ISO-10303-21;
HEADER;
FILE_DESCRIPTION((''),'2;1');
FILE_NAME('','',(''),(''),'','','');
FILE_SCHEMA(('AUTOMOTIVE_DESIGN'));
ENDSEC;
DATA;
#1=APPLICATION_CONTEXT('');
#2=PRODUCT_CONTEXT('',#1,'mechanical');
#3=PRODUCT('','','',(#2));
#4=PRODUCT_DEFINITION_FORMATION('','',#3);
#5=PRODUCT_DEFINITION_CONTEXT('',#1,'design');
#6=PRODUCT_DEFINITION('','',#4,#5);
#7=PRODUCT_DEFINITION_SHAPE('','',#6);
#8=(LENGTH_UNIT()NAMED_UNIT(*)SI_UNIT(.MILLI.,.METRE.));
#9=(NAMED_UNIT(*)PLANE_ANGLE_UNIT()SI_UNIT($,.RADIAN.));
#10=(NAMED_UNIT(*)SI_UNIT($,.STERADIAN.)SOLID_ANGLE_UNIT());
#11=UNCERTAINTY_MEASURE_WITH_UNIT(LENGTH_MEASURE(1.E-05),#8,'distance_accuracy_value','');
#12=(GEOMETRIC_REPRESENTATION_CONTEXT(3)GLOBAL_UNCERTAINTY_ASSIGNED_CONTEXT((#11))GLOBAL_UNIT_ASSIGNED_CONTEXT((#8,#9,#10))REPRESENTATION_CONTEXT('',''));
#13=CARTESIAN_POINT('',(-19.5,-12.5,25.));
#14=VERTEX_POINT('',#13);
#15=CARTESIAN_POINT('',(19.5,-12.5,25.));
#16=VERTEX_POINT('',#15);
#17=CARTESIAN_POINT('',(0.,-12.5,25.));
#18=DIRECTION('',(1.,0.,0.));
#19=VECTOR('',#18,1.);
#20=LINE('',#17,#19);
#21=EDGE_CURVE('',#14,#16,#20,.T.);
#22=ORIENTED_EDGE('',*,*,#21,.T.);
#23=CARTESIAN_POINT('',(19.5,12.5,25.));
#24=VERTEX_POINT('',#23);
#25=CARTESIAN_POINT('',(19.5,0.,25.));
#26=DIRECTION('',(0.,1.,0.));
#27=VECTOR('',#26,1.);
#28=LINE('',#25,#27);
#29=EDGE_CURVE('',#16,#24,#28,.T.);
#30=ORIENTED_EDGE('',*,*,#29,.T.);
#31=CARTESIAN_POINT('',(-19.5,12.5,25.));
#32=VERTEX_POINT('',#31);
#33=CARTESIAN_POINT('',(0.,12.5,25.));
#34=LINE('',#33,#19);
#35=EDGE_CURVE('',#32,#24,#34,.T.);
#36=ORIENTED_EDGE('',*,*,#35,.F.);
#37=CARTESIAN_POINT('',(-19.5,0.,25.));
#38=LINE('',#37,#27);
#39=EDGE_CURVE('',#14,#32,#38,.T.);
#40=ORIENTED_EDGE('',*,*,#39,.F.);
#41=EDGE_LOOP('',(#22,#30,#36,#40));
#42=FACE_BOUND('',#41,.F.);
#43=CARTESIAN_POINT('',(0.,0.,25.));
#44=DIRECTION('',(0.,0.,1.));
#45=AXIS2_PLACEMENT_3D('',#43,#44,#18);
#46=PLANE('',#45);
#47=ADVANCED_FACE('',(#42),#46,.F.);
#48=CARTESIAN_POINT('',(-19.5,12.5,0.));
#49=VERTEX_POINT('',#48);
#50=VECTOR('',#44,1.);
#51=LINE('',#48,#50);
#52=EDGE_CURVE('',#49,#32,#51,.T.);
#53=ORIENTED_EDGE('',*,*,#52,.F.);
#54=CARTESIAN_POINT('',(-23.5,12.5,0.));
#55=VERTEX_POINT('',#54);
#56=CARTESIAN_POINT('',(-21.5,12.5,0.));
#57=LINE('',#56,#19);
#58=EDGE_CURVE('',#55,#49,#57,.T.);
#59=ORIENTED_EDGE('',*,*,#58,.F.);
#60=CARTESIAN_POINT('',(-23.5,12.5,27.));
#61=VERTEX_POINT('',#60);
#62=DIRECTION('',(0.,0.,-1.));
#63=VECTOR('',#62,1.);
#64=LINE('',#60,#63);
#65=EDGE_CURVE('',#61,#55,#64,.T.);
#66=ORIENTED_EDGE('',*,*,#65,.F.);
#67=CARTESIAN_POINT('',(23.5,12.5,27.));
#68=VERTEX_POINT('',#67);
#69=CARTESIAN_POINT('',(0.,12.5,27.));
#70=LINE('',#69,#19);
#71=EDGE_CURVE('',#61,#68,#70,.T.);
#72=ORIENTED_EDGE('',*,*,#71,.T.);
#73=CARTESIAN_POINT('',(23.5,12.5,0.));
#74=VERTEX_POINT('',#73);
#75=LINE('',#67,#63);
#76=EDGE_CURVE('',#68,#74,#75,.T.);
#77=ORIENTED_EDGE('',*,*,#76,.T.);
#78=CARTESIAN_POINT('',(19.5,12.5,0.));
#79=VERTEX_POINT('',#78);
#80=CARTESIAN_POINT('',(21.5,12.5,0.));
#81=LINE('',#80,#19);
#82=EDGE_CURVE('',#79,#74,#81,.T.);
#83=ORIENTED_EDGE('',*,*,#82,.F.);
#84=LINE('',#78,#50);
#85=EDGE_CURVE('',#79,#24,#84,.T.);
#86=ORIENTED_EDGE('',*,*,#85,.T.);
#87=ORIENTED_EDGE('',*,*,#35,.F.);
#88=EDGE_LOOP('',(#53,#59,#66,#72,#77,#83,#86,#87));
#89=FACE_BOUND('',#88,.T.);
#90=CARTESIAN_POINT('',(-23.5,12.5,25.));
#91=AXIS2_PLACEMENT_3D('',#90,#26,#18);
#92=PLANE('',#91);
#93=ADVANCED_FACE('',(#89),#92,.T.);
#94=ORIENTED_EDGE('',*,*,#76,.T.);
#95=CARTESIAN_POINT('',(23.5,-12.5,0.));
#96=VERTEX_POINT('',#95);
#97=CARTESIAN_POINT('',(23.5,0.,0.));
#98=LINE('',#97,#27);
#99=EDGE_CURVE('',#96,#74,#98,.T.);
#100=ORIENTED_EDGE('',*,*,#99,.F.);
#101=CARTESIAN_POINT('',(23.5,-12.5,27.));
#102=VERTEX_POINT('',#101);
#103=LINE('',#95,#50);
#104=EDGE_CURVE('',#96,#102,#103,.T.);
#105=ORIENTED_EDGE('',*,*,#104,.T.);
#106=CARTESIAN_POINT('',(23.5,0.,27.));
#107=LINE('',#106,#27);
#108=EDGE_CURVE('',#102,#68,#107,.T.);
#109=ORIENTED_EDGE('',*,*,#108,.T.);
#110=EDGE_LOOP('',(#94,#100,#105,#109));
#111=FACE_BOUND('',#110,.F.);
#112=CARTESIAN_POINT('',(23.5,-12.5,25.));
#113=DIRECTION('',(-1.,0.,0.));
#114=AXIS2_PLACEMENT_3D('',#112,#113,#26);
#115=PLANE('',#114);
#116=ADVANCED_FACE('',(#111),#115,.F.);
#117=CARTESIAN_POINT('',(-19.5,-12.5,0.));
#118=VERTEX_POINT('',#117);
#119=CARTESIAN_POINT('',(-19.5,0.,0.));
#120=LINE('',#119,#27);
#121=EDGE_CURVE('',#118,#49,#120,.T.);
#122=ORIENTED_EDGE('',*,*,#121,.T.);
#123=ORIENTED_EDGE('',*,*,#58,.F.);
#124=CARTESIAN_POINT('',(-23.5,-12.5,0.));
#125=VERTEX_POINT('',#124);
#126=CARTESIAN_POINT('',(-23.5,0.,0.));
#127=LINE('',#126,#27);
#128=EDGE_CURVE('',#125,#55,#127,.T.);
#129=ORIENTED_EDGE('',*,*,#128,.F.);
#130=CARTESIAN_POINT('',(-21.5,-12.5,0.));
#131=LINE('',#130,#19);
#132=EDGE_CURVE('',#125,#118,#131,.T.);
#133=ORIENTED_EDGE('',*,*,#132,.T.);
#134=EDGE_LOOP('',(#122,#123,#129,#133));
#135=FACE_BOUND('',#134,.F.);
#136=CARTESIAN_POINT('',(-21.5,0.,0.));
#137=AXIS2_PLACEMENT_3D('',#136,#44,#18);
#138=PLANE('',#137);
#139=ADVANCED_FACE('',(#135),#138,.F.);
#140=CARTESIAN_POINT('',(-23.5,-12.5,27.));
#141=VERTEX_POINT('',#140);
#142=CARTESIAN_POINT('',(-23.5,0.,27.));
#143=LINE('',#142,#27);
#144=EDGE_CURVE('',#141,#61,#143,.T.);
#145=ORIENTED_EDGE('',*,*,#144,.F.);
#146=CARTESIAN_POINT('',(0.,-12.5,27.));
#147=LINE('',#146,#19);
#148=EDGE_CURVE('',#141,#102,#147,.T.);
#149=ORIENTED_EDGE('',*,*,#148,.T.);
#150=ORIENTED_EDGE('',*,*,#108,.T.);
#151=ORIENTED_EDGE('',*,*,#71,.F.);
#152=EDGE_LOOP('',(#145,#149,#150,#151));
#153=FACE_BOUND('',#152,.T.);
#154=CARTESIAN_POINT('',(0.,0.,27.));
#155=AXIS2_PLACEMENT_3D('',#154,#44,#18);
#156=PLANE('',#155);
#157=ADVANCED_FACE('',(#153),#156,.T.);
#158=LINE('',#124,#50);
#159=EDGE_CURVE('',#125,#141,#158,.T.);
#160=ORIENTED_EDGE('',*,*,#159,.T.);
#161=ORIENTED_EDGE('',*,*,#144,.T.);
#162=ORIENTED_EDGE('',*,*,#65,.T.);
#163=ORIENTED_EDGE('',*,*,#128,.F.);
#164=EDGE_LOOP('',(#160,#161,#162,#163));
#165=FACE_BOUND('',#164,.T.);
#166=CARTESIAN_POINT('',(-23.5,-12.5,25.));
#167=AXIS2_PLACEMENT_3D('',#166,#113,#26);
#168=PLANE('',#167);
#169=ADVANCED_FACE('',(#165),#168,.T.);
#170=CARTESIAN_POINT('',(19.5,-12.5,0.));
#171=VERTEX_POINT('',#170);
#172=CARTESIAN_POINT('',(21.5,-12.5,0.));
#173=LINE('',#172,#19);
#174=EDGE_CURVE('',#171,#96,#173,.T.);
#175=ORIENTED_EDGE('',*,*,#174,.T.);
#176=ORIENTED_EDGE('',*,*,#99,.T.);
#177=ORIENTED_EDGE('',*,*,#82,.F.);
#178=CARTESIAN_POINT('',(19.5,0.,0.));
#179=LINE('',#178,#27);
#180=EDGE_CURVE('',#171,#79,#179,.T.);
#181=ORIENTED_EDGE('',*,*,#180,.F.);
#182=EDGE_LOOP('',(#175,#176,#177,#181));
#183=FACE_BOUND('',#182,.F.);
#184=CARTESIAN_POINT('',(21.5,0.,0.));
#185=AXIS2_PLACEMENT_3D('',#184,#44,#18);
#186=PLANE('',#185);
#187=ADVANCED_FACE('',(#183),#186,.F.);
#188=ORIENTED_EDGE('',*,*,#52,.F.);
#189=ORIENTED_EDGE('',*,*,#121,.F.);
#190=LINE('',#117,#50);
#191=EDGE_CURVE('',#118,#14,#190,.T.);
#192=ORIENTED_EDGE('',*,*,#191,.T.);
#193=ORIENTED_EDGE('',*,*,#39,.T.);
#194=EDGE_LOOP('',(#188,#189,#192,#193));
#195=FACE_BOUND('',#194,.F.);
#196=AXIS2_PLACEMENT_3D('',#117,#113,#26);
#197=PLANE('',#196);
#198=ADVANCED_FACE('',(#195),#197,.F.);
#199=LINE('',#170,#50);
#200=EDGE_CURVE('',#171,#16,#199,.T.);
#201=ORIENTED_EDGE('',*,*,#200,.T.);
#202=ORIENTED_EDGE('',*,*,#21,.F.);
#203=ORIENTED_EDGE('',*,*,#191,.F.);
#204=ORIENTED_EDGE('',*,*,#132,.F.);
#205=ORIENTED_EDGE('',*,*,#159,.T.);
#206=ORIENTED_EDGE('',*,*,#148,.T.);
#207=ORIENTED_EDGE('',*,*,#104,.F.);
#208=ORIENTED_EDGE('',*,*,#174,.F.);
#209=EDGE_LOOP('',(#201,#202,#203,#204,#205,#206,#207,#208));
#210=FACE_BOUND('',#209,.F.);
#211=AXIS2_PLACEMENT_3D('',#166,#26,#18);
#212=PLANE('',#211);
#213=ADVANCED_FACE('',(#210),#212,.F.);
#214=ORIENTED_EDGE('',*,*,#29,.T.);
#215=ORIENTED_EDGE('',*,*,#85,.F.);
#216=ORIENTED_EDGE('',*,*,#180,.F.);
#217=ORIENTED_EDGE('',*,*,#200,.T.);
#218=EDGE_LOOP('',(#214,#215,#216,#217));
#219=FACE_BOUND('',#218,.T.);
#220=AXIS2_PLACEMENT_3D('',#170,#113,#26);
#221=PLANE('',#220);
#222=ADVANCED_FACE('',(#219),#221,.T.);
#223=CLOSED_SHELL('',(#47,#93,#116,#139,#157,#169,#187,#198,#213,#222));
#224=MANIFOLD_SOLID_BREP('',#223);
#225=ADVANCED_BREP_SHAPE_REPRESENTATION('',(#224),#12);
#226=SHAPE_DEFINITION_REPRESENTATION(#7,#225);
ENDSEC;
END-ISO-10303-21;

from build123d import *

# Parameters (mm, degrees)
F0_W     = 4
F0_H     = 25
F1_DEPTH = 25
F2_W     = 47
F2_H     = 25
F3_DEPTH = 2


with BuildPart() as f1:
    # F0 (on Top) → F1 (new body)
    with BuildSketch(Plane.XY):
        with Locations((-21.5, 0)):
            Rectangle(F0_W, F0_H)
        with Locations((21.5, 0)):
            Rectangle(F0_W, F0_H)
    extrude(amount=F1_DEPTH)

    # F2 (on face) → F3 (join)
    with BuildSketch(Plane.XY.offset(25)):
        Rectangle(F2_W, F2_H)
    extrude(amount=F3_DEPTH)


solid = f1.part
